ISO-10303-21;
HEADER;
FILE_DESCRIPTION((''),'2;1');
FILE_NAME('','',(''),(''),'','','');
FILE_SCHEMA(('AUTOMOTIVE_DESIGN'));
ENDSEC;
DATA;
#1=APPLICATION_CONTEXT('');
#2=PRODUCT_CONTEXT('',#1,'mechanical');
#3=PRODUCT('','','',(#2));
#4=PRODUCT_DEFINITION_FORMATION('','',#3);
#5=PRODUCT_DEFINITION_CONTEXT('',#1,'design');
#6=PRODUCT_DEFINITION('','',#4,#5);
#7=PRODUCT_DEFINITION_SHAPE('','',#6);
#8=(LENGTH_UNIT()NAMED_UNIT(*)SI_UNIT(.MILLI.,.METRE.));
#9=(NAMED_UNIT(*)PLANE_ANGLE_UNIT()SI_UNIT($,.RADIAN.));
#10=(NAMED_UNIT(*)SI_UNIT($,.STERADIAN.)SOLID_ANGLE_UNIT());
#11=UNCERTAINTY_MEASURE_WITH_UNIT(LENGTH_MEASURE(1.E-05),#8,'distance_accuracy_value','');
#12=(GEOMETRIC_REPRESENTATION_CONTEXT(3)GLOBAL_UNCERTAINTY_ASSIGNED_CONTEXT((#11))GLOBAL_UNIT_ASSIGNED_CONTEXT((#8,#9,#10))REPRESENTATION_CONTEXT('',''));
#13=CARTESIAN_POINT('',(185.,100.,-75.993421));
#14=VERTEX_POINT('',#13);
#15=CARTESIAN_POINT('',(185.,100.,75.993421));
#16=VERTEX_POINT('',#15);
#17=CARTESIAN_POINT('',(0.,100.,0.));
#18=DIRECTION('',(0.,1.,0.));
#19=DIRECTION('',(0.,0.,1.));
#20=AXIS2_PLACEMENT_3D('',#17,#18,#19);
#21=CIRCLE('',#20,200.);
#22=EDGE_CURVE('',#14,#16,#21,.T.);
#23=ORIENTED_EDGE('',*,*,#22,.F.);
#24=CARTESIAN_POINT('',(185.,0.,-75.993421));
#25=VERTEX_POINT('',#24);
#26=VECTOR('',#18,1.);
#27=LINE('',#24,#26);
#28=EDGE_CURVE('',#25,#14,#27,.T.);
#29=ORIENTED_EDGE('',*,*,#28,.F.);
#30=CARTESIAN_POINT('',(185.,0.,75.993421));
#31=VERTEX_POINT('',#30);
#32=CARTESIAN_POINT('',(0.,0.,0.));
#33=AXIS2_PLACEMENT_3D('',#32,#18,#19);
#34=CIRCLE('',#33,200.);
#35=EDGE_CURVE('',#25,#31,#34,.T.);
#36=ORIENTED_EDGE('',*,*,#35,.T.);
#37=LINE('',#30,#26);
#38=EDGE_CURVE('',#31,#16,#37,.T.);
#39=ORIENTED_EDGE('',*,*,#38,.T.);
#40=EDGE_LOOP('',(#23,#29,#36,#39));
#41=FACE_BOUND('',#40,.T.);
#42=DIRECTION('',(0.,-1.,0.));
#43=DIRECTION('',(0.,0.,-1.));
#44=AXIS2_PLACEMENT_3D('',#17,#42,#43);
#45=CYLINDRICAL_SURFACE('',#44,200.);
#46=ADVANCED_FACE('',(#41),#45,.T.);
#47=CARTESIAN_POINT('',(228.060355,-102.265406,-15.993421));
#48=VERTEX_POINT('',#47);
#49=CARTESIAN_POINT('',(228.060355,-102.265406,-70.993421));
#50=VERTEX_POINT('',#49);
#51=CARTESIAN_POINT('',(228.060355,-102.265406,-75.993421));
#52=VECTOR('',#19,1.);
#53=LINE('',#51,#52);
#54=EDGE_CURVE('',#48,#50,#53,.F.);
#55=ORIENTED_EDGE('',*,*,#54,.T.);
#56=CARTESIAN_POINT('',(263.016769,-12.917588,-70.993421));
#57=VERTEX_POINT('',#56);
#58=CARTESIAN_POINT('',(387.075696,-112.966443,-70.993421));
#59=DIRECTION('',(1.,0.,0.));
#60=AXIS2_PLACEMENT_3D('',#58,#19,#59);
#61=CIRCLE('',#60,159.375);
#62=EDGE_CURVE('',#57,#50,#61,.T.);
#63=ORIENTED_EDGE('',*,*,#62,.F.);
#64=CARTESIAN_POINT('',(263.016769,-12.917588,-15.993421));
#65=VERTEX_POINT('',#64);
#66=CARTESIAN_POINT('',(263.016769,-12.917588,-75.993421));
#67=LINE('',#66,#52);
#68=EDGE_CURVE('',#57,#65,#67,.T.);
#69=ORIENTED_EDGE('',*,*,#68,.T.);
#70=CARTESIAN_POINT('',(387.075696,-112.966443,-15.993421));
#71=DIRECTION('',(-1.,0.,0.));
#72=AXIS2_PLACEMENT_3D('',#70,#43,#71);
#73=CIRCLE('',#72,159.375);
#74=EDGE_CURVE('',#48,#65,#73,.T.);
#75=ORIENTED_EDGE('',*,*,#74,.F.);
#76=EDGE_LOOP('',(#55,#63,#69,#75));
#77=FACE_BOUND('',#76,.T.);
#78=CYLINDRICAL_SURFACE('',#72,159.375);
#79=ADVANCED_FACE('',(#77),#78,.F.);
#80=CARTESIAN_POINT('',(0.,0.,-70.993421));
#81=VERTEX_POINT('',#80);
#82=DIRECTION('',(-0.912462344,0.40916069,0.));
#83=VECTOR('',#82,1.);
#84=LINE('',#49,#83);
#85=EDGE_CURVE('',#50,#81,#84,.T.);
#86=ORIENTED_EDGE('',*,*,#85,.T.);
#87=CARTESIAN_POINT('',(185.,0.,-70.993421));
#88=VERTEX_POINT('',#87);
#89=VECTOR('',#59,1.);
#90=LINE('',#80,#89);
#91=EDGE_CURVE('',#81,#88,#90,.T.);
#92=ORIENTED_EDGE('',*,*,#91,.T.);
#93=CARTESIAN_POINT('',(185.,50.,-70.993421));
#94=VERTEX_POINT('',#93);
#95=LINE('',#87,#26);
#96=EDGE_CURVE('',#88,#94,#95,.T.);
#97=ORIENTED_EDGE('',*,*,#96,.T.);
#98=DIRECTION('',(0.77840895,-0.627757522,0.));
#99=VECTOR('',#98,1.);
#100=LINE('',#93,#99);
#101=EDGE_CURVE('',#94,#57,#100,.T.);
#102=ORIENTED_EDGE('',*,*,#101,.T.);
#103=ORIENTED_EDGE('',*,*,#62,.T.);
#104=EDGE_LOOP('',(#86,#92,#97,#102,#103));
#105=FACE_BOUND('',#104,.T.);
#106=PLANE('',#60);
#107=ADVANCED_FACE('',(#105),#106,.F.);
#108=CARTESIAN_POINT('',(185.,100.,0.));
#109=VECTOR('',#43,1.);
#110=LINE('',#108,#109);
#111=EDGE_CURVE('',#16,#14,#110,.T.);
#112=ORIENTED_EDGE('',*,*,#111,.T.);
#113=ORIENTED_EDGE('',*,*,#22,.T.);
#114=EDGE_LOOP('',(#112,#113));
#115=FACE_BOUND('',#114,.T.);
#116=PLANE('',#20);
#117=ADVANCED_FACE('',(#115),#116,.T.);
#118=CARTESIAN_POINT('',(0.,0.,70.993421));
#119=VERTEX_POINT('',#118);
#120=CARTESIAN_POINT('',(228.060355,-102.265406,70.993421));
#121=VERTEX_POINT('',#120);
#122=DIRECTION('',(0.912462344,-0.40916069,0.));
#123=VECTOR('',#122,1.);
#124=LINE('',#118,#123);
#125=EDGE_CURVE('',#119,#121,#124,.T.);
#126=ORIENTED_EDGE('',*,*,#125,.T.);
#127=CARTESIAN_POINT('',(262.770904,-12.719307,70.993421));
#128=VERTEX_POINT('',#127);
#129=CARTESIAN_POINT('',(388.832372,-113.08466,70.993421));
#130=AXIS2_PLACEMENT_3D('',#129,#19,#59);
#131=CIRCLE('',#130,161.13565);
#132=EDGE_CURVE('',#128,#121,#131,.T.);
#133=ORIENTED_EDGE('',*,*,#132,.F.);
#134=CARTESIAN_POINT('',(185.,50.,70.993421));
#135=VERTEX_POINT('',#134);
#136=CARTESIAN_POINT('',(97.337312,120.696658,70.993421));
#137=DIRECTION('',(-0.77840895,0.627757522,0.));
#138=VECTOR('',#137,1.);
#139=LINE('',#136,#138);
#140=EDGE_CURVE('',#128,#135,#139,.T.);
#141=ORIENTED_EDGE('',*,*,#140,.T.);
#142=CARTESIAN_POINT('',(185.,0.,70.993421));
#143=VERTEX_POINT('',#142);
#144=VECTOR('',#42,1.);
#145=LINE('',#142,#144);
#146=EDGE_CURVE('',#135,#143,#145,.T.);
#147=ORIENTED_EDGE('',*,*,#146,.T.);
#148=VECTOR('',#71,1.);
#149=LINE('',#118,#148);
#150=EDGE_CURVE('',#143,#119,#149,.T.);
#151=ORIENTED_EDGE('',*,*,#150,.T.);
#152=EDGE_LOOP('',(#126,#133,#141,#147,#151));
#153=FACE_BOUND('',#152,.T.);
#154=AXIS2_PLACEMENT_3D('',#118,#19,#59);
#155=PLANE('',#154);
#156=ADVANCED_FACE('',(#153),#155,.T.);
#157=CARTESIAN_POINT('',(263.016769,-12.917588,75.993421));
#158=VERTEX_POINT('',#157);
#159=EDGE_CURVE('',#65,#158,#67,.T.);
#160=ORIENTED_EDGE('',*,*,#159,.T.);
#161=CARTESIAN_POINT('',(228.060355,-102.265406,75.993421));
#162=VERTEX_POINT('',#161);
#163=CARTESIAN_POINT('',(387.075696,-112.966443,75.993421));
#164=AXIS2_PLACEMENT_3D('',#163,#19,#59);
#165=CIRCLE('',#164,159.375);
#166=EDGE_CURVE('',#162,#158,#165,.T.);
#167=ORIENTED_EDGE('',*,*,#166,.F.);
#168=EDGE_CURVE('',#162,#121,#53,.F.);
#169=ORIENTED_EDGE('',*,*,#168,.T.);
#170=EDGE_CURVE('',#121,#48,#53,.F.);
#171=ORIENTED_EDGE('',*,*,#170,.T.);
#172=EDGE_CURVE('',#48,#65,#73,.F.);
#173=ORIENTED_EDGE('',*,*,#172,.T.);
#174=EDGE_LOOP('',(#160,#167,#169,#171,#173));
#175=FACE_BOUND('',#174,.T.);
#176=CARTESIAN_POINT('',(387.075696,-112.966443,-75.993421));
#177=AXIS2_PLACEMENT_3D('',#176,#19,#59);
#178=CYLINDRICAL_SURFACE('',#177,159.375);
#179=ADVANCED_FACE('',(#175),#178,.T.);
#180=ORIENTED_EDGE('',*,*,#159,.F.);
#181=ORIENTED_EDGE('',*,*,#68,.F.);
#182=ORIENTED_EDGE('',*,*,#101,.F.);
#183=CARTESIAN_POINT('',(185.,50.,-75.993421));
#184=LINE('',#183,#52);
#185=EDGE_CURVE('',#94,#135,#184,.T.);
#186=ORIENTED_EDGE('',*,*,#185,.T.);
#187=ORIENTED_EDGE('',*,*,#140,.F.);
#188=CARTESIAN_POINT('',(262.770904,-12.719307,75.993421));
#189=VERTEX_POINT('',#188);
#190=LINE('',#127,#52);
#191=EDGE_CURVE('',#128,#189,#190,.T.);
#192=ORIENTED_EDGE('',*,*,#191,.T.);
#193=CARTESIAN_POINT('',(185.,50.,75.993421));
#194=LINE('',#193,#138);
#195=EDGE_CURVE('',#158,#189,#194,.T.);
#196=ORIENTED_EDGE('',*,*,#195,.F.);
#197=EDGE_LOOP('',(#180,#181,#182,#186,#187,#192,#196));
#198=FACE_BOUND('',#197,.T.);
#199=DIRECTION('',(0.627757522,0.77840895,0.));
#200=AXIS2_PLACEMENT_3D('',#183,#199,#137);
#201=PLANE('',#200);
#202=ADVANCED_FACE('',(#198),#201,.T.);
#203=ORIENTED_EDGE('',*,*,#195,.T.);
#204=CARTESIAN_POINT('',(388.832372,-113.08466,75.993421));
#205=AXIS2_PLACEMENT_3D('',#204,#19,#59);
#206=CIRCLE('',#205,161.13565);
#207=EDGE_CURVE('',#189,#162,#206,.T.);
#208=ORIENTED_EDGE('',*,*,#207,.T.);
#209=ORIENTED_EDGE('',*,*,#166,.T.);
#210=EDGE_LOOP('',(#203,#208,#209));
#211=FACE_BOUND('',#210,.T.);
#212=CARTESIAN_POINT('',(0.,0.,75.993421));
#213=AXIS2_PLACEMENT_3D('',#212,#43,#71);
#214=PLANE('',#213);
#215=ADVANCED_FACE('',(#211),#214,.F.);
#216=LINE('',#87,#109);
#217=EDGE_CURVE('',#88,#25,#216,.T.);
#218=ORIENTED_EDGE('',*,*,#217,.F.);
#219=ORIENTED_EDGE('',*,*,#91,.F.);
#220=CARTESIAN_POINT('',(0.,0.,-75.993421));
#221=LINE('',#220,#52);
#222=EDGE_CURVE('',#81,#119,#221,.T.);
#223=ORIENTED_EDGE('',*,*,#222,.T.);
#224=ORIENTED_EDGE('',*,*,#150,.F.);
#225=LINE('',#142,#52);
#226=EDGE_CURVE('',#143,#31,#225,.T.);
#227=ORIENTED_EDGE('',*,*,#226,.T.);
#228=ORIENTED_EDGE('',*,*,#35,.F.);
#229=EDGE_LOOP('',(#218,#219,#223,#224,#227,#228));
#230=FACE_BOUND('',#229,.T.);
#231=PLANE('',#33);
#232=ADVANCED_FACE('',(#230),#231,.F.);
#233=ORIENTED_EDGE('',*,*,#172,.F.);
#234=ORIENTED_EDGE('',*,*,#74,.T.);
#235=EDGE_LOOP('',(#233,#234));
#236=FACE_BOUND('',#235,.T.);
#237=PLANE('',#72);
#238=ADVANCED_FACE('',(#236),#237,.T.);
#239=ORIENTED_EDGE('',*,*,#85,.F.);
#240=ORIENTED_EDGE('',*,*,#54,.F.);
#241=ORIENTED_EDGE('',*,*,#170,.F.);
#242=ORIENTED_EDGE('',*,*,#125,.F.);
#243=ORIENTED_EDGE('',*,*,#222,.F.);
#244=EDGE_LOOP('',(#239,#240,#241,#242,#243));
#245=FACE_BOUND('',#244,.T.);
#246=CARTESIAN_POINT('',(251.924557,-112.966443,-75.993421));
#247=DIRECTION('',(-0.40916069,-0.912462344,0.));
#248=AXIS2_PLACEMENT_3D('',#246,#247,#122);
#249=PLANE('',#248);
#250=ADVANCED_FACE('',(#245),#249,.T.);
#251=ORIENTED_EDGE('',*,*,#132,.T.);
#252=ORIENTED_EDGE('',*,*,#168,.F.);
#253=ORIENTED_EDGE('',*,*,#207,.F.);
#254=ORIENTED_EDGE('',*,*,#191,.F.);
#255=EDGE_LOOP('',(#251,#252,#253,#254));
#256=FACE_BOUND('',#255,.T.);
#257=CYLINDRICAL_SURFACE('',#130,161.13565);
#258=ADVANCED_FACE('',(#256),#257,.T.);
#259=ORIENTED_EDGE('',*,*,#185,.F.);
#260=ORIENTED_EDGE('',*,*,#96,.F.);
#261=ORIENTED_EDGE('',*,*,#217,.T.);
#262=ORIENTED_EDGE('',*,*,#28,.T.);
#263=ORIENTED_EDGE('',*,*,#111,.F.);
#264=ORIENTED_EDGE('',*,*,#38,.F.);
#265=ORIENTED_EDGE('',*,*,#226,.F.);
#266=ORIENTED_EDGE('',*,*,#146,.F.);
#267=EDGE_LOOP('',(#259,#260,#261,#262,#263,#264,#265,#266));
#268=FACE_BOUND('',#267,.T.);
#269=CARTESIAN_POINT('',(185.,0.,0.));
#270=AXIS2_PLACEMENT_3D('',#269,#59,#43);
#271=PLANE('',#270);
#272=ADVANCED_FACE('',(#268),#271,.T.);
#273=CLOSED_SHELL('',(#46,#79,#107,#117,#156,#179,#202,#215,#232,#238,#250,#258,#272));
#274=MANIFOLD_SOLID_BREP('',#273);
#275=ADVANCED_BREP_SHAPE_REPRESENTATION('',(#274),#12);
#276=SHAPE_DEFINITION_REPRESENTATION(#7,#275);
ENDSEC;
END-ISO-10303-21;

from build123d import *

# Parameters (mm, degrees)
SKETCH1_R           = 200
BOSS_EXTRUDE1_DEPTH = 100
CUT_EXTRUDE2_DEPTH  = 100
BOSS_EXTRUDE2_DEPTH = 75.993421
BOSS_EXTRUDE3_DEPTH = 75.993421
SKETCH9_R           = 159.375
BOSS_EXTRUDE4_DEPTH = 151.986842
CUT_EXTRUDE3_START  = -60
SKETCH11_R          = 159.375
CUT_EXTRUDE3_DEPTH  = 60
CUT_EXTRUDE4_DEPTH  = 5
CUT_EXTRUDE5_DEPTH  = 5


with BuildPart() as part:
    # Sketch1 → Boss-Extrude1 (new body)
    with BuildSketch(Plane(origin=(0, 0, 0), x_dir=(1, 0, 0), z_dir=(0, 1, 0))):
        with Locations(Location((0, 0, 0), (0, 0, 270))):
            Circle(SKETCH1_R)
    extrude(amount=BOSS_EXTRUDE1_DEPTH)

    # Sketch2 → Cut-Extrude2 (cut)
    with BuildSketch(Plane(origin=(0, 100, 0), x_dir=(1, 0, 0), z_dir=(0, 1, 0))):
        Polygon((185, 0), (185, 120.642549135), (200, 120.642549135), (200, 0), (200, -137.849885779), (185, -137.849885779), align=None)
    extrude(amount=-CUT_EXTRUDE2_DEPTH, mode=Mode.SUBTRACT)

    # Sketch4 → Boss-Extrude2 (add)
    with BuildSketch(Plane.XY):
        Polygon((185, 50), (185, 0), (0, 0), (251.924557131, -112.966443103), (387.075695624, -112.966443103), align=None)
    extrude(amount=-BOSS_EXTRUDE2_DEPTH)

    # Sketch7 → Boss-Extrude3 (add)
    with BuildSketch(Plane.XY):
        Polygon((0, 0), (185, 0), (185, 50), (387.075695624, -112.966443103), (251.924557131, -112.966443103), align=None)
    extrude(amount=BOSS_EXTRUDE3_DEPTH)

    # Sketch9 → Boss-Extrude4 (add)
    with BuildSketch(Plane.XY.offset(75.993420768)):
        with Locations((387.075695624, -112.966443103)):
            Circle(SKETCH9_R)
    extrude(amount=-BOSS_EXTRUDE4_DEPTH)

    # Sketch11 → Cut-Extrude3 (cut)
    with BuildSketch(Plane(origin=(0, 0, -75.993420768), x_dir=(-1, 0, 0), z_dir=(0, 0, -1)).offset(CUT_EXTRUDE3_START)):
        with Locations((-387.075695624, -112.966443103)):
            Circle(SKETCH11_R)
    extrude(amount=CUT_EXTRUDE3_DEPTH, mode=Mode.SUBTRACT)


with BuildPart() as cut_extrude3_kept_piece:
    # of the separate pieces the step leaves, the one the design keeps (cut_extrude3_pieces_kept)
    add(part.part.solids().sort_by_distance((185, 0, -75.993420884))[0])

    # Sketch12 → Cut-Extrude4 (cut)
    with BuildSketch(Plane.XY.offset(75.993420768)):
        with BuildLine():
            Line((185, 0), (0, 0))
            Line((0, 0), (228.060355378, -102.265406172))
            ThreePointArc((228.060355378, -102.265406172), (238.589276077, -54.846272892), (262.770904395, -12.719307371))
            Line((262.770904395, -12.719307371), (185, 50))
            Line((185, 50), (185, 0))
        make_face()
    extrude(amount=-CUT_EXTRUDE4_DEPTH, mode=Mode.SUBTRACT)

    # Sketch14 → Cut-Extrude5 (cut)
    with BuildSketch(Plane(origin=(0, 0, -75.993420768), x_dir=(-1, 0, 0), z_dir=(0, 0, -1))):
        with BuildLine():
            Line((-228.060355378, -102.265406172), (0, 0))
            Line((0, 0), (-185, 0))
            Line((-185, 0), (-185, 50))
            Line((-185, 50), (-263.016769179, -12.917588066))
            ThreePointArc((-263.016769179, -12.917588066), (-238.655621962, -54.898617596), (-228.060355378, -102.265406172))
        make_face()
    extrude(amount=-CUT_EXTRUDE5_DEPTH, mode=Mode.SUBTRACT)


solid = cut_extrude3_kept_piece.part
